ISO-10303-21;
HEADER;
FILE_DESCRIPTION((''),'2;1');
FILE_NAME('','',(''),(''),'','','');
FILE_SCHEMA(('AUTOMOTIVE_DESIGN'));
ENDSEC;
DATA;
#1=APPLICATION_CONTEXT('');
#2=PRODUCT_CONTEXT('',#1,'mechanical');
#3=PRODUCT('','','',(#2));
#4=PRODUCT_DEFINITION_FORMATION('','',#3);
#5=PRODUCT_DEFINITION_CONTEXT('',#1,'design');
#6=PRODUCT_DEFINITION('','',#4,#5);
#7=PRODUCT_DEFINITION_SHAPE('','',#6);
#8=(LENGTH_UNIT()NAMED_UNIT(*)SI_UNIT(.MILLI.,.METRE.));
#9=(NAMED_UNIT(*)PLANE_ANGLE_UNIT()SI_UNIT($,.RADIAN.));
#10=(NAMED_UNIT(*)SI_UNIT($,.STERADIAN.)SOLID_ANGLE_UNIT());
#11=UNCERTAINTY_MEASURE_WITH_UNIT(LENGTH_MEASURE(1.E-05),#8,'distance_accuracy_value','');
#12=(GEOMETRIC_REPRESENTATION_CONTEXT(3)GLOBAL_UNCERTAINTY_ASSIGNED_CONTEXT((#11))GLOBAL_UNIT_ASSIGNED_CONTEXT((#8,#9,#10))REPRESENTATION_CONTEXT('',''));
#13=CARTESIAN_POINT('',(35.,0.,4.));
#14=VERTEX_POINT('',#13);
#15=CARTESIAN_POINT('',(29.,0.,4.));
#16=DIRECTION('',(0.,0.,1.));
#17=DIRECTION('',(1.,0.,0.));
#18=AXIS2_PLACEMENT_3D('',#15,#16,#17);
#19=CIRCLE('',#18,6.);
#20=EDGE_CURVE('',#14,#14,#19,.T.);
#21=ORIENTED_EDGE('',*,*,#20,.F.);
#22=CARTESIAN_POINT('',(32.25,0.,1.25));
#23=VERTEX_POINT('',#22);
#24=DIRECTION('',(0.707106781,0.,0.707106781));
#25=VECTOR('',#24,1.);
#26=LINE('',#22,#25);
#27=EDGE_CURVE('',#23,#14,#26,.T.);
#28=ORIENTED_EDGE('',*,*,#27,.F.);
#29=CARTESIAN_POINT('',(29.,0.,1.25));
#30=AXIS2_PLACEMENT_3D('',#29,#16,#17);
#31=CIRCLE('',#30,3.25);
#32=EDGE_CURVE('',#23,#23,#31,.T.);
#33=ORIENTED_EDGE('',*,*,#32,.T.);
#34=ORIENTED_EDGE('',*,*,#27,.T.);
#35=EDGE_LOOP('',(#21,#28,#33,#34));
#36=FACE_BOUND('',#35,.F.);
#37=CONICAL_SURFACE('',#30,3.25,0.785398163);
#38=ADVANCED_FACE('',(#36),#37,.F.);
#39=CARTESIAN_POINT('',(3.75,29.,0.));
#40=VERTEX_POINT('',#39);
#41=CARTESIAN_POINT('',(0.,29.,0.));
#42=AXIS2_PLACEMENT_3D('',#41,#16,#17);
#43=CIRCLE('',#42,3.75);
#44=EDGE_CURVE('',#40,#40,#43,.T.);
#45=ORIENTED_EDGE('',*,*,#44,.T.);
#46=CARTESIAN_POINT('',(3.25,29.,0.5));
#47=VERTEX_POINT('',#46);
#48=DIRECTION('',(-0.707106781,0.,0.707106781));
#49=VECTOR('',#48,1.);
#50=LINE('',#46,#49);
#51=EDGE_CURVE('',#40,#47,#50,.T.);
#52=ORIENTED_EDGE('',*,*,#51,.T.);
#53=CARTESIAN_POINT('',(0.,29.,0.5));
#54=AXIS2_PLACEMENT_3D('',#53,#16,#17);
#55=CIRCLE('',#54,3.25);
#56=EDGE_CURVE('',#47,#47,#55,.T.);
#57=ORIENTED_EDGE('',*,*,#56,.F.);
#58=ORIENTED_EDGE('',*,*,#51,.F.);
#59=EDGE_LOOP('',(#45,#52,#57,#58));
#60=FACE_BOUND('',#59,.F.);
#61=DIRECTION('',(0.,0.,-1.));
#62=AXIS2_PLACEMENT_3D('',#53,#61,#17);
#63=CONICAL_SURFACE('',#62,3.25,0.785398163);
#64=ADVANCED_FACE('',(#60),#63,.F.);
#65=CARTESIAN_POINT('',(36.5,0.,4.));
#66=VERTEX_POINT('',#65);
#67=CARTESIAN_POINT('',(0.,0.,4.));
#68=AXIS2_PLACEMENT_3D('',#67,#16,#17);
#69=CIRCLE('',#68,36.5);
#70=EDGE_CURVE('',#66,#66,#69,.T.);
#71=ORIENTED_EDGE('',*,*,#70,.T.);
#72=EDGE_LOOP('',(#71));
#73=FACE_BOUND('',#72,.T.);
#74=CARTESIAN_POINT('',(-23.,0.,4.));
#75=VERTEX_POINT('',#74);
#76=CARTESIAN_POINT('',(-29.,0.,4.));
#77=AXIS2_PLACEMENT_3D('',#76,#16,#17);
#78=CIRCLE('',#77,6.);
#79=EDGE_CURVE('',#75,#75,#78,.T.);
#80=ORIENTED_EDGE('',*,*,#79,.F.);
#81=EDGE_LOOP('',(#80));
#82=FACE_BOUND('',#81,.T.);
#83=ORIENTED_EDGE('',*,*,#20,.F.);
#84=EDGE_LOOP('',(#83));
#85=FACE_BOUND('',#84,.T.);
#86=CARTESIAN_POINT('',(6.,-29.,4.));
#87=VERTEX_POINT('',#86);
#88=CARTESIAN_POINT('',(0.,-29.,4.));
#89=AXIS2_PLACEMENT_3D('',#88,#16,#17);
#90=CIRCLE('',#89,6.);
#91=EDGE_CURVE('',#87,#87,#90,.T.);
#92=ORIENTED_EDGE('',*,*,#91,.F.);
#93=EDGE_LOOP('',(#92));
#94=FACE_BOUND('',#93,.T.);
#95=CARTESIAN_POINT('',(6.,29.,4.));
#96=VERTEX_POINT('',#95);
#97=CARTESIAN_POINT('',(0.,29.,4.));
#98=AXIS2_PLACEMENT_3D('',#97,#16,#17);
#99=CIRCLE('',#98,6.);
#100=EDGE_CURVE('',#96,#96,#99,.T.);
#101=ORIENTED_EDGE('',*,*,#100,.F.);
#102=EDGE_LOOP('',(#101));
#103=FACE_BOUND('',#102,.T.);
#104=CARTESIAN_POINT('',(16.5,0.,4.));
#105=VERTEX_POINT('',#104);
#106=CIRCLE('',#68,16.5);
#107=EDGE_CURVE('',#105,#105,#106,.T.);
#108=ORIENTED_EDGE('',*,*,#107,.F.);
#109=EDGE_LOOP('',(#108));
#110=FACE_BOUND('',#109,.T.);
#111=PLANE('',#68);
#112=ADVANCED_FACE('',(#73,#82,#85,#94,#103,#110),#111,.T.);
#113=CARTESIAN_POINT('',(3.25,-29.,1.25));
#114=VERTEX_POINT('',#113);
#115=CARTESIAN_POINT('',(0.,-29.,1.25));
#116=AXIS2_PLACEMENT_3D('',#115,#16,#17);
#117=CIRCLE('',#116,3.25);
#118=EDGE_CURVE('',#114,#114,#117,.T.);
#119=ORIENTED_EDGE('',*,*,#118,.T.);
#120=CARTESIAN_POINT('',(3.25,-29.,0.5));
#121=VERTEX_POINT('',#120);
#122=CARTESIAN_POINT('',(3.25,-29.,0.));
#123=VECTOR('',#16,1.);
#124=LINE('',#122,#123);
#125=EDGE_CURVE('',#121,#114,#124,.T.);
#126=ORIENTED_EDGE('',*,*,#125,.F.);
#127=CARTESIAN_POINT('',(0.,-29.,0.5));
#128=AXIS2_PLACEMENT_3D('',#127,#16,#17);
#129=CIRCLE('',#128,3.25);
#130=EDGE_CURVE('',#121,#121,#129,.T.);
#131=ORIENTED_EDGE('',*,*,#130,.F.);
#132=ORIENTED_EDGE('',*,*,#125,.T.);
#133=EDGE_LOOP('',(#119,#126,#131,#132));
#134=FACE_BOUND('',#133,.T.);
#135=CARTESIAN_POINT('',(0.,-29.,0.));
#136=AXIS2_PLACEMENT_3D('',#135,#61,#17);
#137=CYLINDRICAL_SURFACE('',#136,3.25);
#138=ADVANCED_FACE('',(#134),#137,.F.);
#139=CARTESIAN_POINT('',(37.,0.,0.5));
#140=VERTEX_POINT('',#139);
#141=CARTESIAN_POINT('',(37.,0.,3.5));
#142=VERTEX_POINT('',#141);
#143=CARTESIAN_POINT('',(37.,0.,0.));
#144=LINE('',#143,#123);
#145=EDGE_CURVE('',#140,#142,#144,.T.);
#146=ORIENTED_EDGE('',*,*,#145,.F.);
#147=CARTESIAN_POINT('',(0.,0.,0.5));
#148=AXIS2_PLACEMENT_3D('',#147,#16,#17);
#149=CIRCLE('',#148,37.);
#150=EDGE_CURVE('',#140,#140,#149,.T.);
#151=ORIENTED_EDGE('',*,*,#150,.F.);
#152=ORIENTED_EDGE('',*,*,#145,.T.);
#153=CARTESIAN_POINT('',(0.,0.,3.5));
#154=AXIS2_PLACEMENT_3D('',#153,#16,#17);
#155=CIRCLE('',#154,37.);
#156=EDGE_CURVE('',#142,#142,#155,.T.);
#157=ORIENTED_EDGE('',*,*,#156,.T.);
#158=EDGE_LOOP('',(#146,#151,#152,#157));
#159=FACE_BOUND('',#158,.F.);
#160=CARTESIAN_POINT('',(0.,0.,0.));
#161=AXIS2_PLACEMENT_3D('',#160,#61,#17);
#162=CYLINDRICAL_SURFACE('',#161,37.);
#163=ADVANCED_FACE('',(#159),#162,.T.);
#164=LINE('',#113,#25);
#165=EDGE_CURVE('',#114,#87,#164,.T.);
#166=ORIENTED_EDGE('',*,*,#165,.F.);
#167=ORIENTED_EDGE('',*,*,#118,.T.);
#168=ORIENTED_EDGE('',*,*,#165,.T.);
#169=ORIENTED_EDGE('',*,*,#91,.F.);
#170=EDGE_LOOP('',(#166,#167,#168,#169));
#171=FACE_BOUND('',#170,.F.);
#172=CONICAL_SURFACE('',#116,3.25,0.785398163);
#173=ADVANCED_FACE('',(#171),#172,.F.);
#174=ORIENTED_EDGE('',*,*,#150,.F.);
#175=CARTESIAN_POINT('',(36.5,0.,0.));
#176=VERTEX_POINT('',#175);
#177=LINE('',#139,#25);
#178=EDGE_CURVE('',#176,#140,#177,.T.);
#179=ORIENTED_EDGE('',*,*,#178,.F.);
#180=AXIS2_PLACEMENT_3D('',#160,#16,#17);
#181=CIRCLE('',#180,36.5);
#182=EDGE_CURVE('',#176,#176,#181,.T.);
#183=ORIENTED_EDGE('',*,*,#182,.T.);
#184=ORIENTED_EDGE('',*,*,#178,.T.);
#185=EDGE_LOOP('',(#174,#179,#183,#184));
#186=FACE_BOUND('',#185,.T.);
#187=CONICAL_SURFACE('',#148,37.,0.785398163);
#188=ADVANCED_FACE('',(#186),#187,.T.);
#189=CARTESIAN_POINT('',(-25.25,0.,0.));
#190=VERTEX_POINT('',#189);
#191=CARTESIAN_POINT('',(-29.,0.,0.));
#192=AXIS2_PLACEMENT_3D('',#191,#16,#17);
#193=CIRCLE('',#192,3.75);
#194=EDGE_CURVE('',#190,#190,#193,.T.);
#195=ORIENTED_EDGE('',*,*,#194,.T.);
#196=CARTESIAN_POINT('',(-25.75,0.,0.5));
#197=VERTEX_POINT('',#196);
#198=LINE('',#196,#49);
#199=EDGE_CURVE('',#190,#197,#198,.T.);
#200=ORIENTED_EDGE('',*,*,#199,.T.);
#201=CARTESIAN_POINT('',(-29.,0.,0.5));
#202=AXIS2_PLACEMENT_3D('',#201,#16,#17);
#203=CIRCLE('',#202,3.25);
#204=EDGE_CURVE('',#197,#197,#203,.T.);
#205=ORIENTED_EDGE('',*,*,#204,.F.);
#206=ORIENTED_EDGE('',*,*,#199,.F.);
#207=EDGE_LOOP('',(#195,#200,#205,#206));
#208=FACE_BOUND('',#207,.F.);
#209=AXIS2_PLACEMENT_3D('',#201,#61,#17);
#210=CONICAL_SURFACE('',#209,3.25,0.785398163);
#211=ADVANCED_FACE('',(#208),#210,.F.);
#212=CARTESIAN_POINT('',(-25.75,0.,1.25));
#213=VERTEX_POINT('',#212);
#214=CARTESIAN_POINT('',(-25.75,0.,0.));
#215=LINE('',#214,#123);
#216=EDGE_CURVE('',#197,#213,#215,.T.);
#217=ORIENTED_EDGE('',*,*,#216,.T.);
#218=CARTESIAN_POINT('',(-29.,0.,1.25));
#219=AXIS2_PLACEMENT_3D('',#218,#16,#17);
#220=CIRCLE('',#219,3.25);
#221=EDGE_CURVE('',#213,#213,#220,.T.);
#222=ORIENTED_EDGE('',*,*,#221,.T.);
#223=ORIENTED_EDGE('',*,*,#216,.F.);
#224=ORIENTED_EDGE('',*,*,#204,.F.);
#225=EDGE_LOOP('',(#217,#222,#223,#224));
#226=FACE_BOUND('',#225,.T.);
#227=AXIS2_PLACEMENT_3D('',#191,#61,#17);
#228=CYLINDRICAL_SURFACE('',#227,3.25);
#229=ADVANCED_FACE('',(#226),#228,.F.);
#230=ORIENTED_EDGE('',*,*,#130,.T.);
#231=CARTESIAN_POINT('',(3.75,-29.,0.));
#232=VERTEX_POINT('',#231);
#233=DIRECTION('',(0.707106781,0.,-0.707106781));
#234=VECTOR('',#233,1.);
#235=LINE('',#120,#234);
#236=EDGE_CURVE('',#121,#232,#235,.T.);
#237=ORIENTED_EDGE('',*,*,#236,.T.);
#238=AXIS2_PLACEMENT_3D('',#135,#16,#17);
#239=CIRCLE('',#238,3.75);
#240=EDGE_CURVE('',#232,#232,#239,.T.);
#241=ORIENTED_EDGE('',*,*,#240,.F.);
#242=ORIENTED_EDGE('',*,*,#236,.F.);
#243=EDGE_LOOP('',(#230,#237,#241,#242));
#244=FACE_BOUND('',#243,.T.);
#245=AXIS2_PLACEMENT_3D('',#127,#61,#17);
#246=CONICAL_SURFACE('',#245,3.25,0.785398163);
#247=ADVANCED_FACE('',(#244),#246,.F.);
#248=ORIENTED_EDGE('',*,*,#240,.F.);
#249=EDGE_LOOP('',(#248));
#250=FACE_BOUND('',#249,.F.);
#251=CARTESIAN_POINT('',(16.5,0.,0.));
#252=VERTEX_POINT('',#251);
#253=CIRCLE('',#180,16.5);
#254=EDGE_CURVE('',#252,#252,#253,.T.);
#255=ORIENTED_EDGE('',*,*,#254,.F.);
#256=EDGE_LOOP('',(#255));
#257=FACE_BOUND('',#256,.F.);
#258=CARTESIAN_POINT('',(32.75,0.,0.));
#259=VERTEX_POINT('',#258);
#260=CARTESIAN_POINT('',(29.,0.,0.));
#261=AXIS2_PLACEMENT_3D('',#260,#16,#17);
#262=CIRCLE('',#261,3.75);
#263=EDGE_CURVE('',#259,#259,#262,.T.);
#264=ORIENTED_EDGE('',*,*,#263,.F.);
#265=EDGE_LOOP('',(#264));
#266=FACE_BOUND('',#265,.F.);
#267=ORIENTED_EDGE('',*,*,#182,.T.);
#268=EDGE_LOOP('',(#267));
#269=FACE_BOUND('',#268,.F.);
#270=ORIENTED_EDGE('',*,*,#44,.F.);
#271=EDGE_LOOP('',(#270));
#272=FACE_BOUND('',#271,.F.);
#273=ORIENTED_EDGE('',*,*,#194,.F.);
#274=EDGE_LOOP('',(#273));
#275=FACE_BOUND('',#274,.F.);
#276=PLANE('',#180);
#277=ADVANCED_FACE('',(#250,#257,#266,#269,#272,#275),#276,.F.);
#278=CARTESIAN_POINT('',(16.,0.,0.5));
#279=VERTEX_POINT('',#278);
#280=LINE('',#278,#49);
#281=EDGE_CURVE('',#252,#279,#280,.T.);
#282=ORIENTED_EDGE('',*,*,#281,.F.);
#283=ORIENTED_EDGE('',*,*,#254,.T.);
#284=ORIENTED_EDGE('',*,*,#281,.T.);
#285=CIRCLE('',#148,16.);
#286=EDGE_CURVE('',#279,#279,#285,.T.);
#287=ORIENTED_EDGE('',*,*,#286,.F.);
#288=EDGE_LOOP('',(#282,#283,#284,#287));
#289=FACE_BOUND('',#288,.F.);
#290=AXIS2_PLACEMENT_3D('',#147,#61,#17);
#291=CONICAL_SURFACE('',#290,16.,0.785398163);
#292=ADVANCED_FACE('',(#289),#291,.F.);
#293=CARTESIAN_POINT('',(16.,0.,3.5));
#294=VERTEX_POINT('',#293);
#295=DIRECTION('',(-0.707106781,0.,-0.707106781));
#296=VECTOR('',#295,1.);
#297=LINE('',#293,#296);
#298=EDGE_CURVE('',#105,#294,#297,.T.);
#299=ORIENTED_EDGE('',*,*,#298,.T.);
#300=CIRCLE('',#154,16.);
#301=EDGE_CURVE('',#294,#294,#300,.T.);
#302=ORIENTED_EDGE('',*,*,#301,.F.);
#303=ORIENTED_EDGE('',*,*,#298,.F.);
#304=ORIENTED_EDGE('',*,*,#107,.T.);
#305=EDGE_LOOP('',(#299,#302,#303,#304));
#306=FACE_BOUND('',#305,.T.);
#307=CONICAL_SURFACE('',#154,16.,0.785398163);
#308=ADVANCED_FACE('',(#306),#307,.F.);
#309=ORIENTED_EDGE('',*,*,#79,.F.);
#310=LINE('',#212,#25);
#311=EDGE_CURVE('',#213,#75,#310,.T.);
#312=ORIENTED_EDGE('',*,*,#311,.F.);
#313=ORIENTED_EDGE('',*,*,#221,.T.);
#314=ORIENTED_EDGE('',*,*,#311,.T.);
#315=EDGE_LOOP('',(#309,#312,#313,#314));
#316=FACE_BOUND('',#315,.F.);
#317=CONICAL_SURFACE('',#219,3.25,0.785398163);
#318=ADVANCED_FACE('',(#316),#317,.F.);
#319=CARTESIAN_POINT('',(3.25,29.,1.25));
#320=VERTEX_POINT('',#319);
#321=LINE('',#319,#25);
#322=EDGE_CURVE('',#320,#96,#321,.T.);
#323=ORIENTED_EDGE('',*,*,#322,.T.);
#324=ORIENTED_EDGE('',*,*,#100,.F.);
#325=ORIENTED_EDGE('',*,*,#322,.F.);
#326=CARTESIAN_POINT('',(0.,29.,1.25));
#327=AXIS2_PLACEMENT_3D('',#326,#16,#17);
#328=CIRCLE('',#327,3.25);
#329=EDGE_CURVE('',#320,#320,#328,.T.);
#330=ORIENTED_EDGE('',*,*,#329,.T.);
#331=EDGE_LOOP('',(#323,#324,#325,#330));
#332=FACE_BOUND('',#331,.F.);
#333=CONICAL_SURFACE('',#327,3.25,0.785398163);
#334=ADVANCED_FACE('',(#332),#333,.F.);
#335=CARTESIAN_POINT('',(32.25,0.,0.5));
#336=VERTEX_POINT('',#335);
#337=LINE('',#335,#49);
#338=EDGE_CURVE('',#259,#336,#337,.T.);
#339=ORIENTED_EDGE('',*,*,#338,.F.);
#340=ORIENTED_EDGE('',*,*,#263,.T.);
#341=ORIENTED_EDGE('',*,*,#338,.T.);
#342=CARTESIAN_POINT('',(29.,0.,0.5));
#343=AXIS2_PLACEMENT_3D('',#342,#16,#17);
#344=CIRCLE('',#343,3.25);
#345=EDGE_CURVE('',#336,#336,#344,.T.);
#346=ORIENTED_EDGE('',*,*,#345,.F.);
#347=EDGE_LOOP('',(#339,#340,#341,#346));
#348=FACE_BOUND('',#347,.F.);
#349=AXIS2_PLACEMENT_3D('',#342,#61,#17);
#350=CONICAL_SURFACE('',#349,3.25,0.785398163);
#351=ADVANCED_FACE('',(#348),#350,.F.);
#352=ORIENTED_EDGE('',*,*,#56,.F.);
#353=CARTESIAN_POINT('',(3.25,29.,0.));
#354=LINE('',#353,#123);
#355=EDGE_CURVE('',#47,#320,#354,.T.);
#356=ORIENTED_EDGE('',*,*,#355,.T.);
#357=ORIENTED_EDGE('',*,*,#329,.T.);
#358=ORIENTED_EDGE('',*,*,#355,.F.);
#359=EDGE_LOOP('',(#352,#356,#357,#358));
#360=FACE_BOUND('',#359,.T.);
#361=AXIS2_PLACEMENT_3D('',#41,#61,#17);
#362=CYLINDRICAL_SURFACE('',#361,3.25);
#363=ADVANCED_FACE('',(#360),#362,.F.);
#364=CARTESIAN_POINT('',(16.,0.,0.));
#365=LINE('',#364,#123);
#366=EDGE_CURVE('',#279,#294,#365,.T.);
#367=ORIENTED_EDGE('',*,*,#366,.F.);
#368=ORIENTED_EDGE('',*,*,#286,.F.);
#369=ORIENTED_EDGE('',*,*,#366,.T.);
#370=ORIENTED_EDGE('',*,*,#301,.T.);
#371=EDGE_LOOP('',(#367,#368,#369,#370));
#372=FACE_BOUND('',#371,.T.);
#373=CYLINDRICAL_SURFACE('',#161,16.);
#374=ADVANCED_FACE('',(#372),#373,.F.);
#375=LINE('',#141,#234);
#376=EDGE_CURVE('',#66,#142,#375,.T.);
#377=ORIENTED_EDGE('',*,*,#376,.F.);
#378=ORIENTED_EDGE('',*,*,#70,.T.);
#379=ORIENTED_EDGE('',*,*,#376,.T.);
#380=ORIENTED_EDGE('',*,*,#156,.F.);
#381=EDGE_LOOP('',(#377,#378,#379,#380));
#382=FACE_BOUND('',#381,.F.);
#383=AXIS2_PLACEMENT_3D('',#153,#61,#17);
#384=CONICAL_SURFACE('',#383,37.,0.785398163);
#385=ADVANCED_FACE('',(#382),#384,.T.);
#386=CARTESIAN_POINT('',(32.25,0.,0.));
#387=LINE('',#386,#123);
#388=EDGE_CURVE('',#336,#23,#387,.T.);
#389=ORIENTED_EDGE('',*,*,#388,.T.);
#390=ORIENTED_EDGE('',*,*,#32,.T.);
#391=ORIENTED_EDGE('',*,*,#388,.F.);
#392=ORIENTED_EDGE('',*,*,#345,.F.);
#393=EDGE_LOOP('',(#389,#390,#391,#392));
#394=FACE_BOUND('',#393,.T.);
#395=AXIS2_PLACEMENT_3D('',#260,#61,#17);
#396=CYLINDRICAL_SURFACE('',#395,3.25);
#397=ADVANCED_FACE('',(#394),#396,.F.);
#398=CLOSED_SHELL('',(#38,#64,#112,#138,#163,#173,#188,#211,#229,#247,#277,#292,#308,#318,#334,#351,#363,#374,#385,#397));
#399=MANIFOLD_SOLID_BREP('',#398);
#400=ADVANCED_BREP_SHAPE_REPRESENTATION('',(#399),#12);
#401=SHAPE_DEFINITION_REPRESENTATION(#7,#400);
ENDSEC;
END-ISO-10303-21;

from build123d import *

# Parameters (mm, degrees)
F0_R     = 37
F0_R_2   = 3.25
F0_R_3   = 16
F1_DEPTH = 4
F2_SIZE  = 2.75
F3_SIZE  = 0.5


with BuildPart() as f1:
    # F0 (on Top) → F1 (new body)
    with BuildSketch(Plane.XY):
        Circle(F0_R)
        with Locations((0, -29)):
            Circle(F0_R_2, mode=Mode.SUBTRACT)
        with Locations((-29, 0)):
            Circle(F0_R_2, mode=Mode.SUBTRACT)
        Circle(F0_R_3, mode=Mode.SUBTRACT)
        with Locations((29, 0)):
            Circle(F0_R_2, mode=Mode.SUBTRACT)
        with Locations((0, 29)):
            Circle(F0_R_2, mode=Mode.SUBTRACT)
    extrude(amount=F1_DEPTH)

    # F2
    f2_edges = [f1.edges().sort_by_distance(p)[0] for p in [
        (-3.25, -29, 4),
        (-32.25, 0, 4),
        (-3.25, 29, 4),
        (25.75, 0, 4),
    ]]
    chamfer(f2_edges, length=F2_SIZE)

    # F3
    f3_edges = [f1.edges().sort_by_distance(p)[0] for p in [
        (16, 0, 2),
        (-16, 0, 0),
        (-16, 0, 4),
        (37, 0, 2),
        (-37, 0, 0),
        (-37, 0, 4),
        (-3.25, -29, 0),
        (-32.25, 0, 0),
        (25.75, 0, 0),
        (-3.25, 29, 0),
    ]]
    chamfer(f3_edges, length=F3_SIZE)


solid = f1.part
